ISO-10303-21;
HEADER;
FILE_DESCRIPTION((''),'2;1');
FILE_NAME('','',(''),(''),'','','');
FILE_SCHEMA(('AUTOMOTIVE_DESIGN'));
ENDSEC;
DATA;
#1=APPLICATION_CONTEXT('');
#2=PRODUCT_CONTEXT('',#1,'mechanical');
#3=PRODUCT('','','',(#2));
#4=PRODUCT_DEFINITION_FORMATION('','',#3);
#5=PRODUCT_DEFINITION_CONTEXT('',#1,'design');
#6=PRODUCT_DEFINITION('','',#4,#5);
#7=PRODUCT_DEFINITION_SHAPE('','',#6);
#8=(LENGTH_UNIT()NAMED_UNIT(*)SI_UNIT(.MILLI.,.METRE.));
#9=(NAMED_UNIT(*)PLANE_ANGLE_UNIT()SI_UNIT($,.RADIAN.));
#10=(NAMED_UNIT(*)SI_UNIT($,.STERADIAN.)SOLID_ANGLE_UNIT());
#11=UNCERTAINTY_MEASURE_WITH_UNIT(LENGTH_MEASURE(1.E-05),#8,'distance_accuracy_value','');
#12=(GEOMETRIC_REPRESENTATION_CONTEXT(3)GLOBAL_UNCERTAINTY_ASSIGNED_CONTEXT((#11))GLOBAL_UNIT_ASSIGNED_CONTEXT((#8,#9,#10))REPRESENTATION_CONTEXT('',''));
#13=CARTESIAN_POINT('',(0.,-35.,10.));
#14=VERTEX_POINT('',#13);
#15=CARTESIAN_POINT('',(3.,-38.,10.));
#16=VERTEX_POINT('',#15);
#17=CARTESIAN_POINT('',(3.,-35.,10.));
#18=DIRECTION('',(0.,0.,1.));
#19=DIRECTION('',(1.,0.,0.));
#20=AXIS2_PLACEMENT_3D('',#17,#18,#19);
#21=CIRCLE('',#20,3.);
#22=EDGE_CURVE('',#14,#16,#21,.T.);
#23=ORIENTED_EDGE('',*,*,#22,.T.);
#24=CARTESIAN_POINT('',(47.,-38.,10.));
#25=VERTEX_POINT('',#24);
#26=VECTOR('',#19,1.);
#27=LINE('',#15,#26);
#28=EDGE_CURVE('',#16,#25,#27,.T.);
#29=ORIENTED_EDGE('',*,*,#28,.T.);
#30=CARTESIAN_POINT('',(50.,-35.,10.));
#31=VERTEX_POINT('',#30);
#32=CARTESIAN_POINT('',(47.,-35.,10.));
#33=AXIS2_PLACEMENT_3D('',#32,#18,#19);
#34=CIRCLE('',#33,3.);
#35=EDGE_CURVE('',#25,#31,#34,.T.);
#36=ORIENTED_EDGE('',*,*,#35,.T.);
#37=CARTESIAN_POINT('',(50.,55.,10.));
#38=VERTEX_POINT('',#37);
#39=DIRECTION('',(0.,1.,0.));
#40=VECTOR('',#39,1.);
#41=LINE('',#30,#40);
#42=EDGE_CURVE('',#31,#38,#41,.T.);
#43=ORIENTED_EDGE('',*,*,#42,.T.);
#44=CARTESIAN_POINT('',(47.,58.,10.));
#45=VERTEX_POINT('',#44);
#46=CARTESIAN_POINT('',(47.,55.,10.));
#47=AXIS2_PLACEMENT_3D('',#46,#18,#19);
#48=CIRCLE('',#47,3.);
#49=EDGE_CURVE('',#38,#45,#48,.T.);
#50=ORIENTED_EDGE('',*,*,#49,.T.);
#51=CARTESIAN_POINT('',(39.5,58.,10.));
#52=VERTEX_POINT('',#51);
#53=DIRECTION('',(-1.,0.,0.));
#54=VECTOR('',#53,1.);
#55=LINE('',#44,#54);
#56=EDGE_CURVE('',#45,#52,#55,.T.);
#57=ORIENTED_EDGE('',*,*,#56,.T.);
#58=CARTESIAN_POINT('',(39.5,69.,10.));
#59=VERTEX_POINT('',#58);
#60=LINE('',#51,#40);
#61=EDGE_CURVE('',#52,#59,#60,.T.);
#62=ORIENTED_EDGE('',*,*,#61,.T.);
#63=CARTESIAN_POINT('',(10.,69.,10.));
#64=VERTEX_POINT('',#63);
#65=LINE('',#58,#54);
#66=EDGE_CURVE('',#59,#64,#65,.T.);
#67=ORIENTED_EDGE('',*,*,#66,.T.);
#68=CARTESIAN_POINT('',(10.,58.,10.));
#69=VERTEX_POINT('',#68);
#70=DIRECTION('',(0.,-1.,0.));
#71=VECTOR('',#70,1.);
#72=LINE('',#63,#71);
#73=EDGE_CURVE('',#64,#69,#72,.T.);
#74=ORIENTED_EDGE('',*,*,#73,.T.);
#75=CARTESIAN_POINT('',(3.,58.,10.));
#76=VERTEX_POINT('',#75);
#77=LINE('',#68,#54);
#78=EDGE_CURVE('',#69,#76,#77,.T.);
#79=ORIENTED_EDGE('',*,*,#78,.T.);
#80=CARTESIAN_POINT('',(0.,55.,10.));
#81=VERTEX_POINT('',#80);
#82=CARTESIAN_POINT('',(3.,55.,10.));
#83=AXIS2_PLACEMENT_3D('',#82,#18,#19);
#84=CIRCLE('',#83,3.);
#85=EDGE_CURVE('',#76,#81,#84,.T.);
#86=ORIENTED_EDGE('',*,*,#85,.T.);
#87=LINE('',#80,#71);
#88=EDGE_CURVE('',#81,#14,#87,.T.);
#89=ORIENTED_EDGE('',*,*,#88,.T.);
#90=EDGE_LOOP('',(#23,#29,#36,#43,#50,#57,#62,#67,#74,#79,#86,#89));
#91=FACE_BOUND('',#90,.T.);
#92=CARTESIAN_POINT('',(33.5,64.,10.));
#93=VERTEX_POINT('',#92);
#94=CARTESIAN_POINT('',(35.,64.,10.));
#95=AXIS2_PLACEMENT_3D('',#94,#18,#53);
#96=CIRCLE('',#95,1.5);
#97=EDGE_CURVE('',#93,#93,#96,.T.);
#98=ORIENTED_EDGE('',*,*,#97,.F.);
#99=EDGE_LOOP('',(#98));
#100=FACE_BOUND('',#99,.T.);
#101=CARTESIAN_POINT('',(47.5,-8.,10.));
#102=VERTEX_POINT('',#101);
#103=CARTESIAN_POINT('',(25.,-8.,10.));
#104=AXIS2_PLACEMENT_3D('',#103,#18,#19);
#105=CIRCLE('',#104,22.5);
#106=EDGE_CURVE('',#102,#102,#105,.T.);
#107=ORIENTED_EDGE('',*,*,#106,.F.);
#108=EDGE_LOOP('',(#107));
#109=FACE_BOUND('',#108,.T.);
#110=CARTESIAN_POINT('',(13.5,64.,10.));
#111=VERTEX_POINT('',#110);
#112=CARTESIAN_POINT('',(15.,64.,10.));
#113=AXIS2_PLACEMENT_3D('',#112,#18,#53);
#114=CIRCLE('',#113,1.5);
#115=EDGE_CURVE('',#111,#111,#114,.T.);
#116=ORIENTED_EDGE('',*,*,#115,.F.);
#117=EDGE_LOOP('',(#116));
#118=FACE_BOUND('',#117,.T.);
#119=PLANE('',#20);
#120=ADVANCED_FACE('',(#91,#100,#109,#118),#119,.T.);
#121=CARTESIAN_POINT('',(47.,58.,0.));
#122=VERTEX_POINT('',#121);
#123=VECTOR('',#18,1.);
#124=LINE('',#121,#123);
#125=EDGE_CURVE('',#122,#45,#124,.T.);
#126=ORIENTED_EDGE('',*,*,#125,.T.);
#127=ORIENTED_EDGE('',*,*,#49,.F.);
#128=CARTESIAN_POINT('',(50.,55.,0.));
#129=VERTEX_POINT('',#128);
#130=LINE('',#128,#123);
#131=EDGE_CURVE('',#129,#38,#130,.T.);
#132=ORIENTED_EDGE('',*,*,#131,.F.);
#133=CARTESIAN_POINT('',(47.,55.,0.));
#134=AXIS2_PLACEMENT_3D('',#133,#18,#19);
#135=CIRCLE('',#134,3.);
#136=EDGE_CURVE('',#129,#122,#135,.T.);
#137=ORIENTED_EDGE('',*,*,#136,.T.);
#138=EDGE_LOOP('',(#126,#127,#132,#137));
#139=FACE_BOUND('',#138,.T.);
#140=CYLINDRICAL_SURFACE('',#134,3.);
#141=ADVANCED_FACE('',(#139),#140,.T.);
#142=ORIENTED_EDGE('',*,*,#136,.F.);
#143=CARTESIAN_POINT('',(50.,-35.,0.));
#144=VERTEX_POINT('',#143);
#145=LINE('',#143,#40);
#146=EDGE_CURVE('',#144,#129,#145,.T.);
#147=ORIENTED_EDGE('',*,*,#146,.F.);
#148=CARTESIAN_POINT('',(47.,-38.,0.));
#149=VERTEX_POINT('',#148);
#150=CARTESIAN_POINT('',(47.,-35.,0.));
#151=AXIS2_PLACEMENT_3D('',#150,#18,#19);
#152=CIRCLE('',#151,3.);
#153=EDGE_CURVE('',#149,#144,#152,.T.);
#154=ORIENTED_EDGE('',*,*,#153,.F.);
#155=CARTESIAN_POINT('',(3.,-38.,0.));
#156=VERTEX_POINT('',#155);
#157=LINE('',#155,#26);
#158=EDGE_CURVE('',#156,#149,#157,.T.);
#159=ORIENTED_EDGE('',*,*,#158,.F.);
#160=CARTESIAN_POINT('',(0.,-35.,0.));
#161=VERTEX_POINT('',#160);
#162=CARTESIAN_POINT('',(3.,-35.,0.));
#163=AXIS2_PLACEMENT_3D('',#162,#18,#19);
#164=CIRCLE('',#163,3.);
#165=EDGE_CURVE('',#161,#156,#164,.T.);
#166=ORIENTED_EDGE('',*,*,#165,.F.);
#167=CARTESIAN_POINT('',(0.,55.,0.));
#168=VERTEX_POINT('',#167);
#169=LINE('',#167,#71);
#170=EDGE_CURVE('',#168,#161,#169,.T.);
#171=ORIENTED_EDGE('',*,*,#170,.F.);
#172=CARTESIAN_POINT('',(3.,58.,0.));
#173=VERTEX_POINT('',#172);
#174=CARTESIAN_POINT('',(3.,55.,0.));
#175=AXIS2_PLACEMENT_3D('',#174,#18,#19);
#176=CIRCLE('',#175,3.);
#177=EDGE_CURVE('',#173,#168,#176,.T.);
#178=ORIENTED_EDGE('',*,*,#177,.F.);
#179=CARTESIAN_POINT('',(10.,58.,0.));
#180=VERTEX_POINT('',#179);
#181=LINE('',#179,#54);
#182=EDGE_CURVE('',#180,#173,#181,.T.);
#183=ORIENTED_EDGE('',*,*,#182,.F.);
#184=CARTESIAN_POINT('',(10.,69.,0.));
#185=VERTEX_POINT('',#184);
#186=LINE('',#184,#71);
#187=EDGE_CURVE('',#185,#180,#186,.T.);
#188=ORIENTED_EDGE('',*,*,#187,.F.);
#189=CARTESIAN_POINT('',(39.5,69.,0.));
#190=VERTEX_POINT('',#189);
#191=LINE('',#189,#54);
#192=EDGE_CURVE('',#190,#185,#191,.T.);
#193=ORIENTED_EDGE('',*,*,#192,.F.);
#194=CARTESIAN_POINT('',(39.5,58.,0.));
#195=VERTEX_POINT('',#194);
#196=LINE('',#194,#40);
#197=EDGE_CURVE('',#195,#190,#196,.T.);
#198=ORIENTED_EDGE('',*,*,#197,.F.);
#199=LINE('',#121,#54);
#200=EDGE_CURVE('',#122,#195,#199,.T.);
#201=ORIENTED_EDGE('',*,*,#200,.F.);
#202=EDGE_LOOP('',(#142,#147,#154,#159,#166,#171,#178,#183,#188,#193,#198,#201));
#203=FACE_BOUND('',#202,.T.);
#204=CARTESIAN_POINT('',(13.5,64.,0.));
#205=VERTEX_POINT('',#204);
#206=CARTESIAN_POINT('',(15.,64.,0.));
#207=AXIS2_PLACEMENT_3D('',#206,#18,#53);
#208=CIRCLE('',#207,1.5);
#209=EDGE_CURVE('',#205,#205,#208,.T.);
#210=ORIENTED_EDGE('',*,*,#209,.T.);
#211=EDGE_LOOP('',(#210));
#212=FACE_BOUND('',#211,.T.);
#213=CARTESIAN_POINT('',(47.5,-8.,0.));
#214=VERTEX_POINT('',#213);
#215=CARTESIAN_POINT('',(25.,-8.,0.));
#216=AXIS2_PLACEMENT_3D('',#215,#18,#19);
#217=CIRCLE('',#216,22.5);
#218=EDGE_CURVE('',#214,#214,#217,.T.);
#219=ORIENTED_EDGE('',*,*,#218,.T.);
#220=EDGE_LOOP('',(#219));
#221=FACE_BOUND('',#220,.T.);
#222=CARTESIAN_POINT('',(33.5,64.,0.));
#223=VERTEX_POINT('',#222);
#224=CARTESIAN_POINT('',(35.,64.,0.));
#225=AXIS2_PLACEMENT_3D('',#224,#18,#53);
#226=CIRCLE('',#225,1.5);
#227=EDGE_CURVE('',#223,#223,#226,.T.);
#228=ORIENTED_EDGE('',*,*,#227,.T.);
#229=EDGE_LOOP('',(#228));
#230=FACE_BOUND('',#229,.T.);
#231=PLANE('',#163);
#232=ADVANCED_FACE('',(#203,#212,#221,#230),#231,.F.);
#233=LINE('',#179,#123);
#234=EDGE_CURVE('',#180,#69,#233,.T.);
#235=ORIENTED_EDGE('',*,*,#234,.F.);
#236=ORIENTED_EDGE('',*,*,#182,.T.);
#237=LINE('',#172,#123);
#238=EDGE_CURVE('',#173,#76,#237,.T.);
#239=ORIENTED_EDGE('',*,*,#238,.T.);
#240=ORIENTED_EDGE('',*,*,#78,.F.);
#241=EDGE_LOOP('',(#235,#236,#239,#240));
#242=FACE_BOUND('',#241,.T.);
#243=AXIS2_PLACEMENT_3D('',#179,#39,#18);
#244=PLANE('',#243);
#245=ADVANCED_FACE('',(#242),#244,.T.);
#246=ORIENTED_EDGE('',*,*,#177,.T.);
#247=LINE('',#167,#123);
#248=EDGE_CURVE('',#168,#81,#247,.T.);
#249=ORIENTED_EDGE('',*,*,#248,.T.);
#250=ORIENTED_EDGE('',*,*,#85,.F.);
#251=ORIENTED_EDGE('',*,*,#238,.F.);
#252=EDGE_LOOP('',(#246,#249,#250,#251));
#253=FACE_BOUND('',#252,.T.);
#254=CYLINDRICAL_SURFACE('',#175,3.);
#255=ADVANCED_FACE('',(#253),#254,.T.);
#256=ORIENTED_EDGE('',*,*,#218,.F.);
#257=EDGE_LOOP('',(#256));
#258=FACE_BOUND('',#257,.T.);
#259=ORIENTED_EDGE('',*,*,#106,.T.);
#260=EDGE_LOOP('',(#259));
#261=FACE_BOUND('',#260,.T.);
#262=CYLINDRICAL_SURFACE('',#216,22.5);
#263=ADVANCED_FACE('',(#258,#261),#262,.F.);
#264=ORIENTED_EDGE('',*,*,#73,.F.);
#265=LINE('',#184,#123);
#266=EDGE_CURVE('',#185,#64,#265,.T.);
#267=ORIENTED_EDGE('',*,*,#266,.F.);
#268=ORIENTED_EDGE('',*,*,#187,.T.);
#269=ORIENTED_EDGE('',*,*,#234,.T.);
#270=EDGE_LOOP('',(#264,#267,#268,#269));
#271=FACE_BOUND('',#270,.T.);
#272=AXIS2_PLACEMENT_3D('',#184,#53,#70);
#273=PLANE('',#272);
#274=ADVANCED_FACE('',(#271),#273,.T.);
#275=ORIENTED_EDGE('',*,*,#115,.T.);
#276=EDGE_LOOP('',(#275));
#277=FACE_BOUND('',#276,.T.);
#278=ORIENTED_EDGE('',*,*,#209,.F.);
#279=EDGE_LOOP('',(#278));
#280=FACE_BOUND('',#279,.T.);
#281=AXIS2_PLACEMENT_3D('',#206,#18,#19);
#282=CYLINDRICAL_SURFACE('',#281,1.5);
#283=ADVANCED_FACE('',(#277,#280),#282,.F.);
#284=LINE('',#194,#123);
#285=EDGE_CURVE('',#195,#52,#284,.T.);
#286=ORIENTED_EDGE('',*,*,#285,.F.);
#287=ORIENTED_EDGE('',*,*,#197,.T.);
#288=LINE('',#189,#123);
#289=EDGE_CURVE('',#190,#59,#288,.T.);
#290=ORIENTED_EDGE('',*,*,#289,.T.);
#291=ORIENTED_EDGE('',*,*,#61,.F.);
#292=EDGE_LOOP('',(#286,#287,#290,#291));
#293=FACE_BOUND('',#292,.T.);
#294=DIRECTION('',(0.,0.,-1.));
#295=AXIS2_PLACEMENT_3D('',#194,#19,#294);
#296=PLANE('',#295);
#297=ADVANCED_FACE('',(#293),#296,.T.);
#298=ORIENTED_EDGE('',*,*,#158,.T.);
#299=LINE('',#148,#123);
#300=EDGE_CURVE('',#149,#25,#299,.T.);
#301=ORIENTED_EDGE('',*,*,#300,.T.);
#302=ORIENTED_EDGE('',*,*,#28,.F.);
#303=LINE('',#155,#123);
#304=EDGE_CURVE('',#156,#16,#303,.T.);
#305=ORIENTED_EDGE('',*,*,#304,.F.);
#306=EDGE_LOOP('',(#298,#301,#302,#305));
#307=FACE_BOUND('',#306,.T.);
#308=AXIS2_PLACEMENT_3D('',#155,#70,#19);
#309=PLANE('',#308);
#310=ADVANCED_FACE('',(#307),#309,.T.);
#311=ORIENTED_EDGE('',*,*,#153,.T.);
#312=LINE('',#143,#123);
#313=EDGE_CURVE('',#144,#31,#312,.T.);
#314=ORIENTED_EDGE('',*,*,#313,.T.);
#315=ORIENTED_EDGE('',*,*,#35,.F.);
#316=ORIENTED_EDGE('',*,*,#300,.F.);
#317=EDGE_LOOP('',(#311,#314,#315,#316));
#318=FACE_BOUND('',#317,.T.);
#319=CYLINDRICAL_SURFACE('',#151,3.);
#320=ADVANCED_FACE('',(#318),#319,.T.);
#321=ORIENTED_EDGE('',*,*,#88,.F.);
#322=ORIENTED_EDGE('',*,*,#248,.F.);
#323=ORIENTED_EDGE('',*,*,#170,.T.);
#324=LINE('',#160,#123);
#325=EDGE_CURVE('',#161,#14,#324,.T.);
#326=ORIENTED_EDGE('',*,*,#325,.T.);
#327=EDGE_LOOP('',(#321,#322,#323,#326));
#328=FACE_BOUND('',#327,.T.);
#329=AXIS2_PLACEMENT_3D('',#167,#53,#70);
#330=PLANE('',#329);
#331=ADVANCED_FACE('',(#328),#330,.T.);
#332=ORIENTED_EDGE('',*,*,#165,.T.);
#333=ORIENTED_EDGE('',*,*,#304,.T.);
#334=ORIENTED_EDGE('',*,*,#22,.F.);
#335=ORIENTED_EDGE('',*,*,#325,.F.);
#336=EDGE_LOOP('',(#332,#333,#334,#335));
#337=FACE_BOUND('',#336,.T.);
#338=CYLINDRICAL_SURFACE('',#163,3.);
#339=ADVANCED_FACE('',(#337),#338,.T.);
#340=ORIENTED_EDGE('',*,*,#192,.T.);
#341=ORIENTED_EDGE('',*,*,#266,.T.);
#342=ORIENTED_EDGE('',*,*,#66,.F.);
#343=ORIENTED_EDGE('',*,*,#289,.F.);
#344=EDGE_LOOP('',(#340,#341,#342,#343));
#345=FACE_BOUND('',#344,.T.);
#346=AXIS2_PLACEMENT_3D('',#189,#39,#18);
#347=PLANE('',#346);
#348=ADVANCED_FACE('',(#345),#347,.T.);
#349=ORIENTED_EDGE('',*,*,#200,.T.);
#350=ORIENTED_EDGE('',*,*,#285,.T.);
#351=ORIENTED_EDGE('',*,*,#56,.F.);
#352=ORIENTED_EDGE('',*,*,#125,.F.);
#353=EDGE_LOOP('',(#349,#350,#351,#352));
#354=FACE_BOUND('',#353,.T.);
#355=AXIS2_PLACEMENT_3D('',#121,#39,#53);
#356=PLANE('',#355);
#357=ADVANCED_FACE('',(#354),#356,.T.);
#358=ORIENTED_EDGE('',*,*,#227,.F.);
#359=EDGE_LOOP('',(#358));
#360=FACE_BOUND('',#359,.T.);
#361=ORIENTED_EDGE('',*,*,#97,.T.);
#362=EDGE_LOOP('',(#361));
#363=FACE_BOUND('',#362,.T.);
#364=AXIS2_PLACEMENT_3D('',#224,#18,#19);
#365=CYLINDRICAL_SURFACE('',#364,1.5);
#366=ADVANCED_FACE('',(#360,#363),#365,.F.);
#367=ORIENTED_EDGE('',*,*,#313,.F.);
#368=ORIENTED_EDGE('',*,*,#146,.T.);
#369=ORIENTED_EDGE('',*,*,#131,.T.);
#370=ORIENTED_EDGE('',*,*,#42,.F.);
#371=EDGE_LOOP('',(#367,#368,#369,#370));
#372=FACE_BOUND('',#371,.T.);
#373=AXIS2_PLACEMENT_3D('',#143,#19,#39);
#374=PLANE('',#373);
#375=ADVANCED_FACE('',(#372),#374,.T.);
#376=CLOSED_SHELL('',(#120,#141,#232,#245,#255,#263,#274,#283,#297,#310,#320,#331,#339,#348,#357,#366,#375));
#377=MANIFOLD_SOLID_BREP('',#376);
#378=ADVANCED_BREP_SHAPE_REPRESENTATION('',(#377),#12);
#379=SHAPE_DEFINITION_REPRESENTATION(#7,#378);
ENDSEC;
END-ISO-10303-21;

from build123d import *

# Parameters (mm, degrees)
IZIM1_R                     = 1.5
IZIM1_R_2                   = 22.5
Y_KSEKLIK_EKSTR_ZYON1_DEPTH = 10


with BuildPart() as part:
    # Çizim1 → Yükseklik-Ekstrüzyon1 (new body)
    with BuildSketch(Plane.XY.offset(10)):
        with BuildLine():
            Line((3, -38), (47, -38))
            ThreePointArc((47, -38), (49.121320344, -37.121320344), (50, -35))
            Line((50, -35), (50, 55))
            ThreePointArc((50, 55), (49.121320344, 57.121320344), (47, 58))
            Line((47, 58), (39.5, 58))
            Line((39.5, 58), (39.5, 69))
            Line((39.5, 69), (10, 69))
            Line((10, 69), (10, 58))
            Line((10, 58), (3, 58))
            ThreePointArc((3, 58), (0.878679656, 57.121320344), (0, 55))
            Line((0, 55), (0, -35))
            ThreePointArc((0, -35), (0.878679656, -37.121320344), (3, -38))
        make_face()
        with Locations(Location((15, 64, 0), (0, 0, 180))):
            Circle(IZIM1_R, mode=Mode.SUBTRACT)
        with Locations((25, -8)):
            Circle(IZIM1_R_2, mode=Mode.SUBTRACT)
        with Locations(Location((35, 64, 0), (0, 0, 180))):
            Circle(IZIM1_R, mode=Mode.SUBTRACT)
    extrude(amount=-Y_KSEKLIK_EKSTR_ZYON1_DEPTH)


solid = part.part
